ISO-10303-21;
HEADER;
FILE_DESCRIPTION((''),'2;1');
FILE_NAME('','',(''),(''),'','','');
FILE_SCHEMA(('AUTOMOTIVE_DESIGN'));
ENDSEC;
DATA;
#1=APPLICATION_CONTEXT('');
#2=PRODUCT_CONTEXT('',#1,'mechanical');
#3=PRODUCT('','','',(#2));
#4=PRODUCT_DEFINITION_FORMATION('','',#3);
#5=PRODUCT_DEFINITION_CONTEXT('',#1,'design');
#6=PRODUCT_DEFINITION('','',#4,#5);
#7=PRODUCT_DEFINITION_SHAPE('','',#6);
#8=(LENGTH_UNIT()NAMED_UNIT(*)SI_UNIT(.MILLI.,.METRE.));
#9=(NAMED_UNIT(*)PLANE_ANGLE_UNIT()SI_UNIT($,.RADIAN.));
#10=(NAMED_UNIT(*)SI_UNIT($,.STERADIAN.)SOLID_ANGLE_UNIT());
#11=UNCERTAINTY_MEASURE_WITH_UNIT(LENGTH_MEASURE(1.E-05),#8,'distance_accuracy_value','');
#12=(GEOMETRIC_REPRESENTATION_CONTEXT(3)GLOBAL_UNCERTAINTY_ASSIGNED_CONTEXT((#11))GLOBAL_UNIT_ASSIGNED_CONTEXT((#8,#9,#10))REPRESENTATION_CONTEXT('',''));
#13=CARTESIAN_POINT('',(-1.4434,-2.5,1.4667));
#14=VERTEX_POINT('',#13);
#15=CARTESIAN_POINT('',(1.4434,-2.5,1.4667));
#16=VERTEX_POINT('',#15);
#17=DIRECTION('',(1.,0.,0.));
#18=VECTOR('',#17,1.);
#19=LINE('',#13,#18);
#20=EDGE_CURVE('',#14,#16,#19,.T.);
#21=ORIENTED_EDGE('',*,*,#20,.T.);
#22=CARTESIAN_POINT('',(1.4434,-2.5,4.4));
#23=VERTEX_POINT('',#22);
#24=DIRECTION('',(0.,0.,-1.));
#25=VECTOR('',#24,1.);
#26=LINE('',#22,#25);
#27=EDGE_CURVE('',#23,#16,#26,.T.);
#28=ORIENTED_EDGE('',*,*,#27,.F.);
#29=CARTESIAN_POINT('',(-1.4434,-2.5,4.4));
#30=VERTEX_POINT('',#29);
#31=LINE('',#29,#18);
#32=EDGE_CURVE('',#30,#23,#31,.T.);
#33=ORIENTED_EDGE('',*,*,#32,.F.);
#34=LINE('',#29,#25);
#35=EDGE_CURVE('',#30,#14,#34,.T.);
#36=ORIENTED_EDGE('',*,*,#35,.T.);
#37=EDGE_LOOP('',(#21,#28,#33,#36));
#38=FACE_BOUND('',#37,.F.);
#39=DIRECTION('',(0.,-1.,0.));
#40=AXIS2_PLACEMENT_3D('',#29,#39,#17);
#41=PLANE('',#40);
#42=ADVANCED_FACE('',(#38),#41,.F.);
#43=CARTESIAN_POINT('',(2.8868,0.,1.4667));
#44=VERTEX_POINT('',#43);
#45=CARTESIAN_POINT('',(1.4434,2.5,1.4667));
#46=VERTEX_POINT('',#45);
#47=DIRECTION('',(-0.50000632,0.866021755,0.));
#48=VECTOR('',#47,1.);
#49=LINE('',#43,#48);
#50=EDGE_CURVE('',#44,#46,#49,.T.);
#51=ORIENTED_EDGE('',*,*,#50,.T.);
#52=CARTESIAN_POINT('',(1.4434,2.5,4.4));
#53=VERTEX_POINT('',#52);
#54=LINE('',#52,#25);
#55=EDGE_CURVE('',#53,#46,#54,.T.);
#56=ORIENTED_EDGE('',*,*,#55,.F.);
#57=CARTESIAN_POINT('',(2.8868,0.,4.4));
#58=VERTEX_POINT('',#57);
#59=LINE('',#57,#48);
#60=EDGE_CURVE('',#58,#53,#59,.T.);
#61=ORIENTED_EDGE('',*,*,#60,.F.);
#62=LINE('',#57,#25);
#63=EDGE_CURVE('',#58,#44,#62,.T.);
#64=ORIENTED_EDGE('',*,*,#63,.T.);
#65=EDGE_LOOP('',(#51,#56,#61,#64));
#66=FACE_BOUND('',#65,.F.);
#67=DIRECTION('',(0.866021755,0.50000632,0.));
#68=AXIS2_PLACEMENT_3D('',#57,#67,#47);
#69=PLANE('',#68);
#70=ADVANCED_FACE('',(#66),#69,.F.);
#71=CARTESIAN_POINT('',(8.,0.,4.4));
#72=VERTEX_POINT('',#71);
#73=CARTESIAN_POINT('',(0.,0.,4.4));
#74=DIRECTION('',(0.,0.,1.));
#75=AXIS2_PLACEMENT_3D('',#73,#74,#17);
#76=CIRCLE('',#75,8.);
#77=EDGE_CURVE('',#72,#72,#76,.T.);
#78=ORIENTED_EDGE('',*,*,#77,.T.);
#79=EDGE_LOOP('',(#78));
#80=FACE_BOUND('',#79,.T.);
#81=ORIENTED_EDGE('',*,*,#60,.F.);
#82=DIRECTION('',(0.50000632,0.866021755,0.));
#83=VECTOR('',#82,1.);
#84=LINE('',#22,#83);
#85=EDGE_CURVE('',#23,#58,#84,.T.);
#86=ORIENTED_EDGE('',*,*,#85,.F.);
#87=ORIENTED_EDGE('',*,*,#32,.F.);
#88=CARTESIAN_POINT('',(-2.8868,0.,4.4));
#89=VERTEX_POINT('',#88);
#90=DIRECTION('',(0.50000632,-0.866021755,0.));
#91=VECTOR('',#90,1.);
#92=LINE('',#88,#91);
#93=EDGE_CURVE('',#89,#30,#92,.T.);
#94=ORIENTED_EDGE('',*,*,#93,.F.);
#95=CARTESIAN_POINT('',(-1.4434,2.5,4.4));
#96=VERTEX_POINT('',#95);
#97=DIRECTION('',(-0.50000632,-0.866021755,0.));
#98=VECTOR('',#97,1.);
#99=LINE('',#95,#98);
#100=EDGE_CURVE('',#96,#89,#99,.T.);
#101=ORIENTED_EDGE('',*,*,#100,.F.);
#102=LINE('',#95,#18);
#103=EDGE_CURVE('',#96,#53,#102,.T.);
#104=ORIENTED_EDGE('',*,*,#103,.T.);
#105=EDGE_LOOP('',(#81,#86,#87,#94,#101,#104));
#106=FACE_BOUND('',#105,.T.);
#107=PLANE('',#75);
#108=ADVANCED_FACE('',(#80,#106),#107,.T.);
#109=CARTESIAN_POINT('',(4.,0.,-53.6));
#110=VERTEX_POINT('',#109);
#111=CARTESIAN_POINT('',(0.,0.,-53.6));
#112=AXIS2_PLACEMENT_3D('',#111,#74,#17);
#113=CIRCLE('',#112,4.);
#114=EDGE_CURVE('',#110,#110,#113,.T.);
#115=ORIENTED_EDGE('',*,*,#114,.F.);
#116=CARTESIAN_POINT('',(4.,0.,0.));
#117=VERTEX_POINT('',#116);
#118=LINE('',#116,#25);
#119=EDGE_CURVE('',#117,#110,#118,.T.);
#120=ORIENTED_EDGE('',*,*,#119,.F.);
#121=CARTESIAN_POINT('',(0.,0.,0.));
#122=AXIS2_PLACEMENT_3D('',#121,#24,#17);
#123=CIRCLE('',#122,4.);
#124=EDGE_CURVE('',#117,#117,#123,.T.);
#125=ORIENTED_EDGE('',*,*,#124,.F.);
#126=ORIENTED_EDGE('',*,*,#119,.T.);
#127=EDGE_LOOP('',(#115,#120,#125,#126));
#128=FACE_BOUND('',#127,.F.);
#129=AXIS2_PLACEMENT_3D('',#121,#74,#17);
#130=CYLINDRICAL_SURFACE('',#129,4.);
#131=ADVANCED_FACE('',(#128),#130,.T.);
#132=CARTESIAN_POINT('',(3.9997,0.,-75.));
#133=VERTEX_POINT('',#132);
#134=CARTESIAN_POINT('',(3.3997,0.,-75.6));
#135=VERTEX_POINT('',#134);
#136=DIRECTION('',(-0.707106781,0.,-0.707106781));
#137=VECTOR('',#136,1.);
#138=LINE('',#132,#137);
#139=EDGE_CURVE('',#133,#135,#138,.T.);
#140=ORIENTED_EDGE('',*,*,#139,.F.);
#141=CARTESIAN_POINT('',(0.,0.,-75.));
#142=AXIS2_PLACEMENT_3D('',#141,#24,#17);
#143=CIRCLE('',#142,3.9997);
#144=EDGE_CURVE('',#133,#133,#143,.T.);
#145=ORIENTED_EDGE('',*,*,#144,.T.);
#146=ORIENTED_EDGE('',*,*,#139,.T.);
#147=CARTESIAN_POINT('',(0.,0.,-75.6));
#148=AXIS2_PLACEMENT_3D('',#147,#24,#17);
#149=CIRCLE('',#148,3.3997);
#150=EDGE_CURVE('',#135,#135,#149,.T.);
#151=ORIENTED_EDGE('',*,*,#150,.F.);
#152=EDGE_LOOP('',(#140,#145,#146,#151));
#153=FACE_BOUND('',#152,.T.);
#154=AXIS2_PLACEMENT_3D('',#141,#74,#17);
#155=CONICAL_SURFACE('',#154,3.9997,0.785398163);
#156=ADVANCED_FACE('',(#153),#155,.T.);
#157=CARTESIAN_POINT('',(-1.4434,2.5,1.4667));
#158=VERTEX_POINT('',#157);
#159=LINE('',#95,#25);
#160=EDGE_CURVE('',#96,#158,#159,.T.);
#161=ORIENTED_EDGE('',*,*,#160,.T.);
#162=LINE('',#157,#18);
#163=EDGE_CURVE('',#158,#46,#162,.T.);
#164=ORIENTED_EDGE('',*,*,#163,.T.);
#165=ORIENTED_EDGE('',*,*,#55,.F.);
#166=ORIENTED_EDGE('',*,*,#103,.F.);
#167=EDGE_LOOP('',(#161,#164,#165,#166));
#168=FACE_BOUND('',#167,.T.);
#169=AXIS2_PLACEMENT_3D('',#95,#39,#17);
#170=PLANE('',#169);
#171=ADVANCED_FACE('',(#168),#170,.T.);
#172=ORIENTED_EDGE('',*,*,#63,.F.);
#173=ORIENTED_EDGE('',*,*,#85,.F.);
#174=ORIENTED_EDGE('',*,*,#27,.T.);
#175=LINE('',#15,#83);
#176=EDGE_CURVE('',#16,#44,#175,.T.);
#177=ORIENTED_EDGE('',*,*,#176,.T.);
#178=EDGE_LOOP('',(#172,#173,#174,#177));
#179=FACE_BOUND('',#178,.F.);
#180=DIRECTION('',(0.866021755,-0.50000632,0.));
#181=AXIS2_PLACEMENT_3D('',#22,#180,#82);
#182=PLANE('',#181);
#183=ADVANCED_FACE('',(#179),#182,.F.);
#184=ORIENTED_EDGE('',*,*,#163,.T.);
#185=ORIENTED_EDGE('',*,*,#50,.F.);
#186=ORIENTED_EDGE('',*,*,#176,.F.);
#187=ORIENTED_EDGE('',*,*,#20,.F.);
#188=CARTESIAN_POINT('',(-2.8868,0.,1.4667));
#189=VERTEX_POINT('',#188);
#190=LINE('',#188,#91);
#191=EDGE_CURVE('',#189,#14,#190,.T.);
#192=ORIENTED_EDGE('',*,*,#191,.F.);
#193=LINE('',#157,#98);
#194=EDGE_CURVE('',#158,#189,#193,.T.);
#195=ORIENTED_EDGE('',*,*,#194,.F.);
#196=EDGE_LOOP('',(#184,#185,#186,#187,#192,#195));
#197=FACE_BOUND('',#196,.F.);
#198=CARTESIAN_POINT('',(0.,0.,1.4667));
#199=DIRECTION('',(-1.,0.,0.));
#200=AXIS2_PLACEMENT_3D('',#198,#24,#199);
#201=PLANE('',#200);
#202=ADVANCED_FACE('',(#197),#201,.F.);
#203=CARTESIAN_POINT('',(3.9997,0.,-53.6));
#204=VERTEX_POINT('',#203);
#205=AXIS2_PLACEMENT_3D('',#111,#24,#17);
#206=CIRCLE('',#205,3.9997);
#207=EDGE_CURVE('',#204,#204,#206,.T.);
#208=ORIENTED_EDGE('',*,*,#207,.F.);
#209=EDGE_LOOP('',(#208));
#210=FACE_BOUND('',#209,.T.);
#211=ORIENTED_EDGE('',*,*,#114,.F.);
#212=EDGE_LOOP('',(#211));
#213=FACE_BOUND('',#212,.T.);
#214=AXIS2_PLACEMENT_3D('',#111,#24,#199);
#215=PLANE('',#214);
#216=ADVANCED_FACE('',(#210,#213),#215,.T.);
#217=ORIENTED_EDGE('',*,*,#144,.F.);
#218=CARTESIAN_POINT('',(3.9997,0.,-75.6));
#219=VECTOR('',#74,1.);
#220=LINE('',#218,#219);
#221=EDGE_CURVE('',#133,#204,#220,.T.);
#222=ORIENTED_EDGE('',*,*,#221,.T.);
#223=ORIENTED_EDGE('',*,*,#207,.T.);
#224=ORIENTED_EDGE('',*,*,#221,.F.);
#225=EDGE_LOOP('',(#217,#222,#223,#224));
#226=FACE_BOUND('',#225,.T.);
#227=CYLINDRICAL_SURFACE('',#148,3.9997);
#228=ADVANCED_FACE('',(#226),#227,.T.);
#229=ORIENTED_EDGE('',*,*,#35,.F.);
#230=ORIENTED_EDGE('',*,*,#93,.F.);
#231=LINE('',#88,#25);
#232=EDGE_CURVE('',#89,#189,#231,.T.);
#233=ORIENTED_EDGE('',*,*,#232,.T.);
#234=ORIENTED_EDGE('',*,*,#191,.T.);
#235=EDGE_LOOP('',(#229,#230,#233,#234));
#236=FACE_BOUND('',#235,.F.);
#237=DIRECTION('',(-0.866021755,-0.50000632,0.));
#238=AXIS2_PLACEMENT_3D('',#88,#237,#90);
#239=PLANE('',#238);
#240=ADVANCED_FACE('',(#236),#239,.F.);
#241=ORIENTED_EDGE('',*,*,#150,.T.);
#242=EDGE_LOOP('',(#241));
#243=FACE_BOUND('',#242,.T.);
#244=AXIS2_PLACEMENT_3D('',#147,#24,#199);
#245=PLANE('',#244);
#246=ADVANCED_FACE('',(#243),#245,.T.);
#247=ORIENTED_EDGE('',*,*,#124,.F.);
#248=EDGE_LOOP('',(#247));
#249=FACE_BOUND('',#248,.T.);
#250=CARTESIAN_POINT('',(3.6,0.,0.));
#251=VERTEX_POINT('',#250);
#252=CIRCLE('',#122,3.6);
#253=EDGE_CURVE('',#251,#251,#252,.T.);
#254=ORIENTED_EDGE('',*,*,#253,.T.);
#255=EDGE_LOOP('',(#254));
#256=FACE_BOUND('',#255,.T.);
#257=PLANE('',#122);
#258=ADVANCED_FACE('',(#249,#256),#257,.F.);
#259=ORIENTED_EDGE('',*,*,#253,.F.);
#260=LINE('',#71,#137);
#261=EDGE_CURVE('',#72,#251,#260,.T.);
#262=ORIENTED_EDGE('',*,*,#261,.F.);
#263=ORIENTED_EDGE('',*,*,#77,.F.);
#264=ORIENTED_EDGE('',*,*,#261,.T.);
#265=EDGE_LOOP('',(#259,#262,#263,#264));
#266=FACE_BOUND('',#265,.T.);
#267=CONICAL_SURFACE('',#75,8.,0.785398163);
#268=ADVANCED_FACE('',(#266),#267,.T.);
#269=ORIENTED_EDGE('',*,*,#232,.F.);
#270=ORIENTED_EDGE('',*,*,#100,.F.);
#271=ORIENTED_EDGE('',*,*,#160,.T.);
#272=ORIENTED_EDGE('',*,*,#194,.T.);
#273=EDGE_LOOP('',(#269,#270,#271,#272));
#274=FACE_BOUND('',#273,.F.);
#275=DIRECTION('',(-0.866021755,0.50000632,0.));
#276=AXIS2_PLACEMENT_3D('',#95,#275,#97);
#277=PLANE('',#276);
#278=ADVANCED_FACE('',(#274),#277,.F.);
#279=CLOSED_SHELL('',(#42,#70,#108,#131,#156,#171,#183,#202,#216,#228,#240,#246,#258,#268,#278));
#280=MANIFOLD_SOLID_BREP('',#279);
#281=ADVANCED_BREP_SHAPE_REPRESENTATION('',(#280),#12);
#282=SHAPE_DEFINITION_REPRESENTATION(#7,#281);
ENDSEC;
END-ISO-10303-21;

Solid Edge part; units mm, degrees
sketch "Sketch1" plane through (0, 0, 0) normal (0, 0, 1) x (1, 0, 0)
  circle A0 centre (0, 0) radius 8
  dimension "D1" = 16
extrude "Protrusion1" add sketch "Sketch1" along normal blind 4.4
sketch "Sketch2" plane through (0, 0, 0) normal (0, 0, -1) x (1, 0, 0)
  circle A0 centre (0, 0) radius 4
extrude "Protrusion2" add sketch "Sketch2" along normal blind 75.6
sketch "Sketch3" plane through (0, 0, -75.6) normal (0, 0, -1) x (1, 0, 0)
  circle A0 centre (0, 0) radius 3.9997
extrude "Cutout1" cut sketch "Sketch3" against normal blind 22 flip side to cut
chamfer "Chamfer_1" distance 0.6 angle 45 1 edges at (-3.9997, 0, -75.6)
sketch "Sketch4" plane through (0, 0, 4.4) normal (0, 0, 1) x (1, 0, 0)
  line L0 (-1.4434, 2.5) -> (1.4434, 2.5)
  line L1 (2.8868, 0) -> (1.4434, 2.5)
  line L2 (1.4434, -2.5) -> (2.8868, 0)
  line L3 (-1.4434, -2.5) -> (1.4434, -2.5)
  line L4 (-2.8868, 0) -> (-1.4434, -2.5)
  line L5 (-1.4434, 2.5) -> (-2.8868, 0)
  dimension "D1" = 5
extrude "Cutout2" cut sketch "Sketch4" against normal blind 2.9333
sketch "Sketch5" plane through (0, 0, 0) normal (0, -1, 0) x (1, 0, 0)
  line L0 (8, 4.4) -> (3.6, 0)
  line L1 (3.6, 0) -> (8, 0)
  line L2 (8, 0) -> (8, 4.4)
revolve "RevolvedCutout1" cut sketch "Sketch5" angle 360 about axis through (0, 0, 14.0017) along (0, 0, -1)
properties part number "109211"
